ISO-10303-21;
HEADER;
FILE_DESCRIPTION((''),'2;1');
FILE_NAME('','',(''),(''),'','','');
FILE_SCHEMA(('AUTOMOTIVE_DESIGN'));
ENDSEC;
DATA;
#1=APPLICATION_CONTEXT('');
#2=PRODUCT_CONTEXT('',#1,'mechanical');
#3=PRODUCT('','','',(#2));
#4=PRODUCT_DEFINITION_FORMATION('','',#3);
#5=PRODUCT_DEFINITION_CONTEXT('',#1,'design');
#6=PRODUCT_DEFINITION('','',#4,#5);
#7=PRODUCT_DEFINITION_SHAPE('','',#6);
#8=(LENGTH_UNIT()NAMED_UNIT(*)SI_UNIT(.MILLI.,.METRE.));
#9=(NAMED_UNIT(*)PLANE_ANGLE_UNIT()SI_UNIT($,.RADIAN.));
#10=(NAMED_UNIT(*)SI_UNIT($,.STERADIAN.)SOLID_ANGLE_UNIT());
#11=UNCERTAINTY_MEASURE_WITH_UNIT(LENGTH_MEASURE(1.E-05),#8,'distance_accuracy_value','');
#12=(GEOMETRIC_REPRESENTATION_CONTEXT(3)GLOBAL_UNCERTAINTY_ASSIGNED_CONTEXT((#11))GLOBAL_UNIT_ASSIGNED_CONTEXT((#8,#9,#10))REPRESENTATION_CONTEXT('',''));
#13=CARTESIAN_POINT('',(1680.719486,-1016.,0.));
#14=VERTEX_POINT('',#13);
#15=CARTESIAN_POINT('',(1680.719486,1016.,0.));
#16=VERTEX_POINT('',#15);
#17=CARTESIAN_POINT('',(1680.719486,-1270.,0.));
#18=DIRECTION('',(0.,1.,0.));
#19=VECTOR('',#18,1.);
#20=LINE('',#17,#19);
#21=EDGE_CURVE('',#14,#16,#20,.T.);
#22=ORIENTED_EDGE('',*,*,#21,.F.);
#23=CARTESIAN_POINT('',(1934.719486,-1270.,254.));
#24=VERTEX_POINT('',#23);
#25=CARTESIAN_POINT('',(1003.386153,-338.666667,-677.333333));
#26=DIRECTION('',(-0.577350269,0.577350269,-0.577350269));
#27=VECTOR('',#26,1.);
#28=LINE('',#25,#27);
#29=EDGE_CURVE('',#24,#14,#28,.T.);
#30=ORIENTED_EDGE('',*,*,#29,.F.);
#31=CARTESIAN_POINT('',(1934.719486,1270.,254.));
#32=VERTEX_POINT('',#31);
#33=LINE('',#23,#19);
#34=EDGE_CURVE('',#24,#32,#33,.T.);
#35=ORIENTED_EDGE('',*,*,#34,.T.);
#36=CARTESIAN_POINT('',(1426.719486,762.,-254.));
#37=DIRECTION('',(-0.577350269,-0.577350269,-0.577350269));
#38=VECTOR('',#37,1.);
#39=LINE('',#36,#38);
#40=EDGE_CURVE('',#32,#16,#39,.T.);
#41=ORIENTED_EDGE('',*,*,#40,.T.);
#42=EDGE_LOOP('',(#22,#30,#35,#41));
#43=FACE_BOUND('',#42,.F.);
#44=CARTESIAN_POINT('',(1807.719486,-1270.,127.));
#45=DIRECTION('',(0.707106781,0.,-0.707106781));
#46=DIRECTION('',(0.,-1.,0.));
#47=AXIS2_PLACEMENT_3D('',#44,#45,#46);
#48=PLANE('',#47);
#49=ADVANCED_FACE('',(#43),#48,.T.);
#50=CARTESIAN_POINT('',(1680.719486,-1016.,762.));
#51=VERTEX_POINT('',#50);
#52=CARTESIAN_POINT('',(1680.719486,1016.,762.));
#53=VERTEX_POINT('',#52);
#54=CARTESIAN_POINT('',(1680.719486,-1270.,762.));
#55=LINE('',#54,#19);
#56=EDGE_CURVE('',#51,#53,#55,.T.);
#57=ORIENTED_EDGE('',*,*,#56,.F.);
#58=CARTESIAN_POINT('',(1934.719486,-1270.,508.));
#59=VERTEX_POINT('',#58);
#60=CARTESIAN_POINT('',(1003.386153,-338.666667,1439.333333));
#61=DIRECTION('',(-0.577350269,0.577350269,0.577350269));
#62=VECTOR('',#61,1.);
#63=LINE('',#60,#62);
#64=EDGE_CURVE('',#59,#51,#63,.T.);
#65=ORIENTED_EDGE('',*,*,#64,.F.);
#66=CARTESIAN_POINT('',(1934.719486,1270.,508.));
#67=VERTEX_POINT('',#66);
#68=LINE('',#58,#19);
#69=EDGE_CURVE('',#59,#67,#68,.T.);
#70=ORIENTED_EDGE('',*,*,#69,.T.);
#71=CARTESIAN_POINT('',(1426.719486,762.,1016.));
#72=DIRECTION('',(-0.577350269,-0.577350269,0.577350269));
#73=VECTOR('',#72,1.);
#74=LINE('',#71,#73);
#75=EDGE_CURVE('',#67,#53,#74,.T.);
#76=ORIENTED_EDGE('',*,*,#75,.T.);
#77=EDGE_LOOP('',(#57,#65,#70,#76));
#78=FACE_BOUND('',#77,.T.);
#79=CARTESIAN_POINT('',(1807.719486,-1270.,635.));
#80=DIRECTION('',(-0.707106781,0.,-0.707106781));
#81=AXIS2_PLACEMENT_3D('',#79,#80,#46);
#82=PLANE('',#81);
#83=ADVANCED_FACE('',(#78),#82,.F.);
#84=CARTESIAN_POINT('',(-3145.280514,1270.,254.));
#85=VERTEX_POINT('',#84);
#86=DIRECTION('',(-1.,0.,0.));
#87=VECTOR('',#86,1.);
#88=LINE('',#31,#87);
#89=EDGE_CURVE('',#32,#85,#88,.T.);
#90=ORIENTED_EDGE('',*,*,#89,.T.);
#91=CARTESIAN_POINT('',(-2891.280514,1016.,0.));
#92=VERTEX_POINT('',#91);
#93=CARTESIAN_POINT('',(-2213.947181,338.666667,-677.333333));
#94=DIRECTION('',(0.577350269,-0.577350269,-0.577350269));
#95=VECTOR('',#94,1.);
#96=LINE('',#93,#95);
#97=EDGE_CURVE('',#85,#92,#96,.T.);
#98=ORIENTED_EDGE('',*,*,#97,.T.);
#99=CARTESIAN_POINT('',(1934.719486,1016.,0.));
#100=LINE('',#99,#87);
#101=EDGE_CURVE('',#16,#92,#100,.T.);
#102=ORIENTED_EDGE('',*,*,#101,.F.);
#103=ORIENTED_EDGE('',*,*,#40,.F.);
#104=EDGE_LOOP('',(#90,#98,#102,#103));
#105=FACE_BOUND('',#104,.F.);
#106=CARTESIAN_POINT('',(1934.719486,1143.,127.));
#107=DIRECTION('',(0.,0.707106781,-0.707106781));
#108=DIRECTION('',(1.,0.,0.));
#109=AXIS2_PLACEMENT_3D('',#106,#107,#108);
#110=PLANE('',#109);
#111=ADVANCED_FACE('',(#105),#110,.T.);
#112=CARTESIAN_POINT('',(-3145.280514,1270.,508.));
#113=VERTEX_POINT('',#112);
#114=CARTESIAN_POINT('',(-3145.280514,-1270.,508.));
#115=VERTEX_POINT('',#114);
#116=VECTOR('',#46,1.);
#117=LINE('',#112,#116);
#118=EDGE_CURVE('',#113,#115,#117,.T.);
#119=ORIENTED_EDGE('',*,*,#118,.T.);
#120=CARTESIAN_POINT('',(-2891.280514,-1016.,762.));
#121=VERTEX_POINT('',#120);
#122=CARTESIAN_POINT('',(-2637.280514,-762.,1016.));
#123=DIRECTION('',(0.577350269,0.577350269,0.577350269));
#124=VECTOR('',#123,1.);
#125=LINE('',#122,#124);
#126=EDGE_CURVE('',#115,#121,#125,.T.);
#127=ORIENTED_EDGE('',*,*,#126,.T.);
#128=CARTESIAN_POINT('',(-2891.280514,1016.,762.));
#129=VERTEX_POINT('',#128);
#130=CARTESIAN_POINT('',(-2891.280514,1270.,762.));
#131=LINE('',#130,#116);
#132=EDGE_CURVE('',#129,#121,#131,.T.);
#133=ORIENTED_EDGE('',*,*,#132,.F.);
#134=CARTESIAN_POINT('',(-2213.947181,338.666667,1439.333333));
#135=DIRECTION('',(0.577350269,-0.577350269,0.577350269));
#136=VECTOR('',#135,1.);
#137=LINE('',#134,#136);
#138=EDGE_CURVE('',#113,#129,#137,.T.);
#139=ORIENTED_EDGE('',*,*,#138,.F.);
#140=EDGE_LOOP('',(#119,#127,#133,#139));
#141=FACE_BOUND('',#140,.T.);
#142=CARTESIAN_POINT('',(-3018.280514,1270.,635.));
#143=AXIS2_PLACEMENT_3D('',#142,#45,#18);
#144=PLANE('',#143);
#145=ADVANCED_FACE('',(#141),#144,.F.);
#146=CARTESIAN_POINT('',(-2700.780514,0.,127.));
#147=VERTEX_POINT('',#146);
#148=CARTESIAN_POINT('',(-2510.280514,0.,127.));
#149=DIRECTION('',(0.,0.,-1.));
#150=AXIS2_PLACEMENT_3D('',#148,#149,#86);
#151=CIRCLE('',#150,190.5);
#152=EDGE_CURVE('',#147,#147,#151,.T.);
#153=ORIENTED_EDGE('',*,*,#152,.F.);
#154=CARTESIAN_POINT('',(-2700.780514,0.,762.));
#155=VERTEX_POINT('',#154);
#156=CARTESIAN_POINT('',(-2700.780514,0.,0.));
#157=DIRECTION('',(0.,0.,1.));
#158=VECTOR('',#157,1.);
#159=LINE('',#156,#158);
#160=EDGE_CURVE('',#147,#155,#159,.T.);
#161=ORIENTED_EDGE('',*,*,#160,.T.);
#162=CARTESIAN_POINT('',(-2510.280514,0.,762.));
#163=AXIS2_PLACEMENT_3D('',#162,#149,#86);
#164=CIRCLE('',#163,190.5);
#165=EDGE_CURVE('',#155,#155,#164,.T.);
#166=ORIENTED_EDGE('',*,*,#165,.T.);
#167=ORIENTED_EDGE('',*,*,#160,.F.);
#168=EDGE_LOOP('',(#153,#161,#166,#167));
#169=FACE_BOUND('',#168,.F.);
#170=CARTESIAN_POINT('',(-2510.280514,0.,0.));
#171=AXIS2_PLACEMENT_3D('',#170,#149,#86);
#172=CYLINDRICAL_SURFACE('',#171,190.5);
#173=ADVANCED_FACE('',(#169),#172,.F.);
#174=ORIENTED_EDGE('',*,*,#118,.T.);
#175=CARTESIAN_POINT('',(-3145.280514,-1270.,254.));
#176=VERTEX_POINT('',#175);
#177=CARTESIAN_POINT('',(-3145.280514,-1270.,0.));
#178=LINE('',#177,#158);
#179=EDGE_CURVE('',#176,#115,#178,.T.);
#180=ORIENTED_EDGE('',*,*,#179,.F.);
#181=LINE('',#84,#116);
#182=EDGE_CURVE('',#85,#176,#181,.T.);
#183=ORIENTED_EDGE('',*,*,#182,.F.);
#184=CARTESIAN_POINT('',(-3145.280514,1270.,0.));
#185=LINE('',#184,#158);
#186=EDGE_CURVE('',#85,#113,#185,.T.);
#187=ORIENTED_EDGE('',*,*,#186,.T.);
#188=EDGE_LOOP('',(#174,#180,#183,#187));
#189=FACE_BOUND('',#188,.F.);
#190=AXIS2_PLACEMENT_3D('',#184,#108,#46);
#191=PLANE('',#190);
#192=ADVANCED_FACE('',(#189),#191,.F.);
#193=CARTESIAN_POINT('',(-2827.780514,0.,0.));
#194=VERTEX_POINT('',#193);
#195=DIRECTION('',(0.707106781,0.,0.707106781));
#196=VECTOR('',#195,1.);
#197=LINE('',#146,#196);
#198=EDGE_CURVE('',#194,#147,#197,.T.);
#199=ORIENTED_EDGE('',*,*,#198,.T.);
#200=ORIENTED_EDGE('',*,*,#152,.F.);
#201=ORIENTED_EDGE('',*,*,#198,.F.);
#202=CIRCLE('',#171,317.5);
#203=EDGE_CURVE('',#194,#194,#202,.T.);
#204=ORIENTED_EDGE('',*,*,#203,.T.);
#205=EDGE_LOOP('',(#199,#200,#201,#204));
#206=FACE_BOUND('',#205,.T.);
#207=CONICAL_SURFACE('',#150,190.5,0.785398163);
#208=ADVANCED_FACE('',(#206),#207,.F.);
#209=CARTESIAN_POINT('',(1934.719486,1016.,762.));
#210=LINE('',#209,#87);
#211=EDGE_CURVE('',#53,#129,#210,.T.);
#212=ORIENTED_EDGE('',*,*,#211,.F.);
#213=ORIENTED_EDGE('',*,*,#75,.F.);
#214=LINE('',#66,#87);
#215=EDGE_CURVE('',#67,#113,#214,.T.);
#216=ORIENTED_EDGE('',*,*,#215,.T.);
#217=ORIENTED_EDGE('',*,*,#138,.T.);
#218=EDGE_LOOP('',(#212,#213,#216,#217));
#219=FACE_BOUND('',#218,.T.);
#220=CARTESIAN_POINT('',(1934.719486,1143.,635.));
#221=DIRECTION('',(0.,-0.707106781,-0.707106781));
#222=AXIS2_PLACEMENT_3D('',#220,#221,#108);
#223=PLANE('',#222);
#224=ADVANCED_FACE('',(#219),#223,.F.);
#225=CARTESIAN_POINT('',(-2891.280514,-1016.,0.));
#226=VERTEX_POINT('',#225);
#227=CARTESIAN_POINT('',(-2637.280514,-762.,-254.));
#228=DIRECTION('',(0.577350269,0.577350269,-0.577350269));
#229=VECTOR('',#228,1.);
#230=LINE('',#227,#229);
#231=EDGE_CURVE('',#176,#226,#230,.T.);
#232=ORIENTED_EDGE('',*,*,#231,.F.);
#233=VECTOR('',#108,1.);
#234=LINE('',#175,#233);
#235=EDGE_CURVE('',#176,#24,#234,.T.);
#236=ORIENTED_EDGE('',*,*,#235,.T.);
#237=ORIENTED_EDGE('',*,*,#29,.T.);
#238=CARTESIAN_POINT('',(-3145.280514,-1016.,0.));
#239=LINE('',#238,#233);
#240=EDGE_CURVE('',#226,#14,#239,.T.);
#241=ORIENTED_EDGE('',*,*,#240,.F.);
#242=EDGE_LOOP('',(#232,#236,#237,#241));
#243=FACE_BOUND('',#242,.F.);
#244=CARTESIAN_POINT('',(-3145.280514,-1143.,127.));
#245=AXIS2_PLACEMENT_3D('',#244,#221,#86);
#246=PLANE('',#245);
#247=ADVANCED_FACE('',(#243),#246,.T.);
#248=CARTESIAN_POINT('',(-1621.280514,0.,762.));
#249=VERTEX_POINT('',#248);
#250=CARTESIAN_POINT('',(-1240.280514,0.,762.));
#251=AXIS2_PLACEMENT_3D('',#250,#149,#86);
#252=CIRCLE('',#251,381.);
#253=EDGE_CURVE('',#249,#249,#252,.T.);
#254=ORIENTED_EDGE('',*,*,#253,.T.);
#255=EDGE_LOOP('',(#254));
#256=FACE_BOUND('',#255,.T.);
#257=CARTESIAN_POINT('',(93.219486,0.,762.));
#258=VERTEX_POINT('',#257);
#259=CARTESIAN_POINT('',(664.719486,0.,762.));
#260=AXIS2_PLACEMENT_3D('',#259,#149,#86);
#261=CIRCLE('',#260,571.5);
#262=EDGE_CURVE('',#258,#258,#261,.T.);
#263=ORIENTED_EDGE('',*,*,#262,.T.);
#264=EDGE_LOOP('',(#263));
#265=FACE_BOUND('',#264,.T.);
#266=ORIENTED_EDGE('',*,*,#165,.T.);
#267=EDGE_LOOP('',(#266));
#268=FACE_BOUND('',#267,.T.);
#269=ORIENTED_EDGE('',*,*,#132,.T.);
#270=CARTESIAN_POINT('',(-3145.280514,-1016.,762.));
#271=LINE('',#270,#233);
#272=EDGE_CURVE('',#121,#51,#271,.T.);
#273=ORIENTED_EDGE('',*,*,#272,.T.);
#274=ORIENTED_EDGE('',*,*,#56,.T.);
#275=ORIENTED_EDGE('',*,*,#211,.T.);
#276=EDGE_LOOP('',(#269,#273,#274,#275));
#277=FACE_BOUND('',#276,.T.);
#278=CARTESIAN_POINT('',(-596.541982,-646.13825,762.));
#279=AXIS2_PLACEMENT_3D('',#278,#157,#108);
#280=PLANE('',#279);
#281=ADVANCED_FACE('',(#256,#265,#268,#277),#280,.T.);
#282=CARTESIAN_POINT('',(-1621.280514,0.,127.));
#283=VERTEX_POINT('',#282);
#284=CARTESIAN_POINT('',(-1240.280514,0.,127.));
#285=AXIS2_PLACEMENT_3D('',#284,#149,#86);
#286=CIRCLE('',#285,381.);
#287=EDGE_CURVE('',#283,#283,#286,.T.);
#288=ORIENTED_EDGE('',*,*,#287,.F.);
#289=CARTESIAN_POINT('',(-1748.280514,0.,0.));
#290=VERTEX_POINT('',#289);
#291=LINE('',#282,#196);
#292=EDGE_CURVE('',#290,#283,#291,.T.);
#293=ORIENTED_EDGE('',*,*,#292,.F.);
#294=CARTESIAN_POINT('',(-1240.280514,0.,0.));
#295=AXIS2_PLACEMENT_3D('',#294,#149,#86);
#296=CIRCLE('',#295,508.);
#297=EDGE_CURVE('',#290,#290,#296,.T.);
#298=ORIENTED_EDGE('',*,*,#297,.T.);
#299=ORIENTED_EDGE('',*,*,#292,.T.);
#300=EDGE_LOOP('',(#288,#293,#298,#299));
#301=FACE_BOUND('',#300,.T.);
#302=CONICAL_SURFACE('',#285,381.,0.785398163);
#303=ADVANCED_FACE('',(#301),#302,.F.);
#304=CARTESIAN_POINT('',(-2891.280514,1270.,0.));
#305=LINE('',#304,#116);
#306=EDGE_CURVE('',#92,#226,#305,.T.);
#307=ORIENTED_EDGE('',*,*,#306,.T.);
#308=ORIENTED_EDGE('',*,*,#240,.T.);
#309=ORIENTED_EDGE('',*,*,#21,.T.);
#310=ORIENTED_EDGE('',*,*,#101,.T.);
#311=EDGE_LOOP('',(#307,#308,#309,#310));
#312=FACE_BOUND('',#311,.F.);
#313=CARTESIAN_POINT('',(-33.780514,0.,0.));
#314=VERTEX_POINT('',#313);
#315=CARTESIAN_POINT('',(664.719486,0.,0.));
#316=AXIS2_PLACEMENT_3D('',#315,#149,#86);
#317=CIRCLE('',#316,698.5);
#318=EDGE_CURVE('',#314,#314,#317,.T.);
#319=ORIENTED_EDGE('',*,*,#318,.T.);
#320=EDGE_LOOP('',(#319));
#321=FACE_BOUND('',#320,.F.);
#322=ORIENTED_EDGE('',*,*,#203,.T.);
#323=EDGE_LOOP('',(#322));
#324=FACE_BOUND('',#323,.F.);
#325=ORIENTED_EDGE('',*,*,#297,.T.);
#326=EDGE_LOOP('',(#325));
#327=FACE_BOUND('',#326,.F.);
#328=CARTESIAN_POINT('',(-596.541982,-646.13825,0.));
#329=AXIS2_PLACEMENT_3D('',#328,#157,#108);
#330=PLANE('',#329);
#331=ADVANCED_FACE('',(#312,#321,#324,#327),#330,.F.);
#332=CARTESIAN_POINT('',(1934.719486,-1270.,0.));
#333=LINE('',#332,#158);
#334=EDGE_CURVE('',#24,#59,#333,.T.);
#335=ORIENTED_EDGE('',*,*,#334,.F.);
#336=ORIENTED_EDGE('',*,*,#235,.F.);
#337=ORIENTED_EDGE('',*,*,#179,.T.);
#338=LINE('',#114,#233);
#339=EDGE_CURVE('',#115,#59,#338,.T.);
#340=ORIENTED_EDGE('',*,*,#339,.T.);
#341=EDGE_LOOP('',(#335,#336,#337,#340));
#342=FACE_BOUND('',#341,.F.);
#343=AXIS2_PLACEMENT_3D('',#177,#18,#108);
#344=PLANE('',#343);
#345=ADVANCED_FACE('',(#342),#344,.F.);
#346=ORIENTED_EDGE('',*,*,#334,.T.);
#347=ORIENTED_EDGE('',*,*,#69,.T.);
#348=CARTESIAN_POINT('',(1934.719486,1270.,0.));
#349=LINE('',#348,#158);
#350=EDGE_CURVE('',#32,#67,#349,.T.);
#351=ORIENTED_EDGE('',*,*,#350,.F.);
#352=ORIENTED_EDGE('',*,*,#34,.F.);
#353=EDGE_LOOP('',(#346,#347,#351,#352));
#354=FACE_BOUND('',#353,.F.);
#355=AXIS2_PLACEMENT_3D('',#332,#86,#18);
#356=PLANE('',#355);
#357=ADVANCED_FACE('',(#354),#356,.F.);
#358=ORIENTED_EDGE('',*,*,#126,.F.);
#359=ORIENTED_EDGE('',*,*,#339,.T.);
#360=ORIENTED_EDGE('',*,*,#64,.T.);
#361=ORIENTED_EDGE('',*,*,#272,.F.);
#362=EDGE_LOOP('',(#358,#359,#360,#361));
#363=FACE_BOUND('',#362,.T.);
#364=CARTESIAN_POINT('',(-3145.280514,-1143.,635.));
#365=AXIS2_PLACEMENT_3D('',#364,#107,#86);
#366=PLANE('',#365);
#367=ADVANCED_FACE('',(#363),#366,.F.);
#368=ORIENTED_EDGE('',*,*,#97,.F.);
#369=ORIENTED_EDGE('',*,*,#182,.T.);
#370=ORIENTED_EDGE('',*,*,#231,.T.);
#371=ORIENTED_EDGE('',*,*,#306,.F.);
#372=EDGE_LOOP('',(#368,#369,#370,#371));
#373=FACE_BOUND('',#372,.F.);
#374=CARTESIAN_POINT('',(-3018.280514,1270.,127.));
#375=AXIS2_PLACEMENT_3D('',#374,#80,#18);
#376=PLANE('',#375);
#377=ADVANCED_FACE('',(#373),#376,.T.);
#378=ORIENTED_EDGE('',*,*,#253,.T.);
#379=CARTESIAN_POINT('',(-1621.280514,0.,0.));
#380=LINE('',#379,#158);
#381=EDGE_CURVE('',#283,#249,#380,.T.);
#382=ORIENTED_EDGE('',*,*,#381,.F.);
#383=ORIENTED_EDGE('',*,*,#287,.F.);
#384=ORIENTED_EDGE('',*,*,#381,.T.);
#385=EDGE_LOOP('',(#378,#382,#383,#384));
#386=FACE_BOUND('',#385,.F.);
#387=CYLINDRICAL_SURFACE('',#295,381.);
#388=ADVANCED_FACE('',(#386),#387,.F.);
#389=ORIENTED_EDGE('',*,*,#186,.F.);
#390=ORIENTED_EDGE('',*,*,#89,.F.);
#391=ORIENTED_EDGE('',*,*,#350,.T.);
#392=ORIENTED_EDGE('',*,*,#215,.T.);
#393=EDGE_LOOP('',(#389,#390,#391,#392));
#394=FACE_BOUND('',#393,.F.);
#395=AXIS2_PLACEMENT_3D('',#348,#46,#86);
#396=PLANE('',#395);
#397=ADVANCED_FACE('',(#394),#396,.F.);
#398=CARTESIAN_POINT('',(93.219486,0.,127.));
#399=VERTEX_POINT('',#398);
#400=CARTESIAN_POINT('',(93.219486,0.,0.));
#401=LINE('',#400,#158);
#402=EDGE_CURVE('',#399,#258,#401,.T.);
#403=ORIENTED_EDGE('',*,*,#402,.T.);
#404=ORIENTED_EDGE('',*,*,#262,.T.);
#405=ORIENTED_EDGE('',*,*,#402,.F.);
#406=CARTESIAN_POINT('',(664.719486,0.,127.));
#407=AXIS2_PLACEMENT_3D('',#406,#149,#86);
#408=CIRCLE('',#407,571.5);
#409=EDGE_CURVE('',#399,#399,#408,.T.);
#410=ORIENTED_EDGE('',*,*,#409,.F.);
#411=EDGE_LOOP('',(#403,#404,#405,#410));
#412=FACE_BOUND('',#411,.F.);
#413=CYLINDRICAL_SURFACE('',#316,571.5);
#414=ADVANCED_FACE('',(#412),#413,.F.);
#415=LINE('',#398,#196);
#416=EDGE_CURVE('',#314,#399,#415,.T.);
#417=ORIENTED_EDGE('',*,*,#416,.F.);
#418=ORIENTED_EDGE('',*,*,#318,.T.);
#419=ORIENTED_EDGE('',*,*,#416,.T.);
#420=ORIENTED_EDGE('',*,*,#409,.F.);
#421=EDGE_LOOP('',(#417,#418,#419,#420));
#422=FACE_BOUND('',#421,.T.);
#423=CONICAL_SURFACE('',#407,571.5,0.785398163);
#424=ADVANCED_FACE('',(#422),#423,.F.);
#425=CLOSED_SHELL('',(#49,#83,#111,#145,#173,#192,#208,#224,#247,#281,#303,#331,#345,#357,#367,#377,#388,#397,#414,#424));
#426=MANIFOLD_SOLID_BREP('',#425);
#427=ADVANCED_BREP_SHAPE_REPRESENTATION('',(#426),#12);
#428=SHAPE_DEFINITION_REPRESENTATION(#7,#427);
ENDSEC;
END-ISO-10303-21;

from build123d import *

# Parameters (mm, degrees)
F1_DEPTH = 762
F2_SIZE  = 254
F3_SIZE  = 127


with BuildPart() as f1:
    # F0 (on Top) → F1 (new body)
    with BuildSketch(Plane.XY):
        with BuildLine():
            Line((-3145.280514, 0), (-3145.280514, -1270))
            Line((-3145.280514, -1270), (1934.719486, -1270))
            Line((1934.719486, -1270), (1934.719486, 0))
            Line((1934.719486, 0), (1236.219486, 0))
            ThreePointArc((1236.219486, 0), (664.719486, -571.5), (93.219486, 0))
            Line((93.219486, 0), (-859.280514, 0))
            ThreePointArc((-859.280514, 0), (-1240.280514, -381), (-1621.280514, 0))
            Line((-1621.280514, 0), (-2319.780514, 0))
            ThreePointArc((-2319.780514, 0), (-2510.280514, -190.5), (-2700.780514, 0))
            Line((-2700.780514, 0), (-3145.280514, 0))
        make_face()
        with BuildLine():
            Line((-3145.280514, 1270), (-3145.280514, 0))
            Line((-3145.280514, 0), (-2700.780514, 0))
            ThreePointArc((-2700.780514, 0), (-2510.280514, 190.5), (-2319.780514, 0))
            Line((-2319.780514, 0), (-1621.280514, 0))
            ThreePointArc((-1621.280514, 0), (-1240.280514, 381), (-859.280514, 0))
            Line((-859.280514, 0), (93.219486, 0))
            ThreePointArc((93.219486, 0), (664.719486, 571.5), (1236.219486, 0))
            Line((1236.219486, 0), (1934.719486, 0))
            Line((1934.719486, 0), (1934.719486, 1270))
            Line((1934.719486, 1270), (-3145.280514, 1270))
        make_face()
    extrude(amount=F1_DEPTH)

    # F2
    f2_edges = [f1.edges().sort_by_distance(p)[0] for p in [
        (-3145.280514, 0, 0),
        (-605.280514, 1270, 0),
        (1934.719486, 0, 0),
        (1934.719486, 0, 762),
        (-605.280514, -1270, 762),
        (-3145.280514, 0, 762),
        (-605.280514, 1270, 762),
        (-605.280514, -1270, 0),
    ]]
    chamfer(f2_edges, length=F2_SIZE)

    # F3
    f3_edges = [f1.edges().sort_by_distance(p)[0] for p in [
        (-2700.780514, 0, 0),
        (-1621.280514, 0, 0),
        (93.219486, 0, 0),
    ]]
    chamfer(f3_edges, length=F3_SIZE)


solid = f1.part
